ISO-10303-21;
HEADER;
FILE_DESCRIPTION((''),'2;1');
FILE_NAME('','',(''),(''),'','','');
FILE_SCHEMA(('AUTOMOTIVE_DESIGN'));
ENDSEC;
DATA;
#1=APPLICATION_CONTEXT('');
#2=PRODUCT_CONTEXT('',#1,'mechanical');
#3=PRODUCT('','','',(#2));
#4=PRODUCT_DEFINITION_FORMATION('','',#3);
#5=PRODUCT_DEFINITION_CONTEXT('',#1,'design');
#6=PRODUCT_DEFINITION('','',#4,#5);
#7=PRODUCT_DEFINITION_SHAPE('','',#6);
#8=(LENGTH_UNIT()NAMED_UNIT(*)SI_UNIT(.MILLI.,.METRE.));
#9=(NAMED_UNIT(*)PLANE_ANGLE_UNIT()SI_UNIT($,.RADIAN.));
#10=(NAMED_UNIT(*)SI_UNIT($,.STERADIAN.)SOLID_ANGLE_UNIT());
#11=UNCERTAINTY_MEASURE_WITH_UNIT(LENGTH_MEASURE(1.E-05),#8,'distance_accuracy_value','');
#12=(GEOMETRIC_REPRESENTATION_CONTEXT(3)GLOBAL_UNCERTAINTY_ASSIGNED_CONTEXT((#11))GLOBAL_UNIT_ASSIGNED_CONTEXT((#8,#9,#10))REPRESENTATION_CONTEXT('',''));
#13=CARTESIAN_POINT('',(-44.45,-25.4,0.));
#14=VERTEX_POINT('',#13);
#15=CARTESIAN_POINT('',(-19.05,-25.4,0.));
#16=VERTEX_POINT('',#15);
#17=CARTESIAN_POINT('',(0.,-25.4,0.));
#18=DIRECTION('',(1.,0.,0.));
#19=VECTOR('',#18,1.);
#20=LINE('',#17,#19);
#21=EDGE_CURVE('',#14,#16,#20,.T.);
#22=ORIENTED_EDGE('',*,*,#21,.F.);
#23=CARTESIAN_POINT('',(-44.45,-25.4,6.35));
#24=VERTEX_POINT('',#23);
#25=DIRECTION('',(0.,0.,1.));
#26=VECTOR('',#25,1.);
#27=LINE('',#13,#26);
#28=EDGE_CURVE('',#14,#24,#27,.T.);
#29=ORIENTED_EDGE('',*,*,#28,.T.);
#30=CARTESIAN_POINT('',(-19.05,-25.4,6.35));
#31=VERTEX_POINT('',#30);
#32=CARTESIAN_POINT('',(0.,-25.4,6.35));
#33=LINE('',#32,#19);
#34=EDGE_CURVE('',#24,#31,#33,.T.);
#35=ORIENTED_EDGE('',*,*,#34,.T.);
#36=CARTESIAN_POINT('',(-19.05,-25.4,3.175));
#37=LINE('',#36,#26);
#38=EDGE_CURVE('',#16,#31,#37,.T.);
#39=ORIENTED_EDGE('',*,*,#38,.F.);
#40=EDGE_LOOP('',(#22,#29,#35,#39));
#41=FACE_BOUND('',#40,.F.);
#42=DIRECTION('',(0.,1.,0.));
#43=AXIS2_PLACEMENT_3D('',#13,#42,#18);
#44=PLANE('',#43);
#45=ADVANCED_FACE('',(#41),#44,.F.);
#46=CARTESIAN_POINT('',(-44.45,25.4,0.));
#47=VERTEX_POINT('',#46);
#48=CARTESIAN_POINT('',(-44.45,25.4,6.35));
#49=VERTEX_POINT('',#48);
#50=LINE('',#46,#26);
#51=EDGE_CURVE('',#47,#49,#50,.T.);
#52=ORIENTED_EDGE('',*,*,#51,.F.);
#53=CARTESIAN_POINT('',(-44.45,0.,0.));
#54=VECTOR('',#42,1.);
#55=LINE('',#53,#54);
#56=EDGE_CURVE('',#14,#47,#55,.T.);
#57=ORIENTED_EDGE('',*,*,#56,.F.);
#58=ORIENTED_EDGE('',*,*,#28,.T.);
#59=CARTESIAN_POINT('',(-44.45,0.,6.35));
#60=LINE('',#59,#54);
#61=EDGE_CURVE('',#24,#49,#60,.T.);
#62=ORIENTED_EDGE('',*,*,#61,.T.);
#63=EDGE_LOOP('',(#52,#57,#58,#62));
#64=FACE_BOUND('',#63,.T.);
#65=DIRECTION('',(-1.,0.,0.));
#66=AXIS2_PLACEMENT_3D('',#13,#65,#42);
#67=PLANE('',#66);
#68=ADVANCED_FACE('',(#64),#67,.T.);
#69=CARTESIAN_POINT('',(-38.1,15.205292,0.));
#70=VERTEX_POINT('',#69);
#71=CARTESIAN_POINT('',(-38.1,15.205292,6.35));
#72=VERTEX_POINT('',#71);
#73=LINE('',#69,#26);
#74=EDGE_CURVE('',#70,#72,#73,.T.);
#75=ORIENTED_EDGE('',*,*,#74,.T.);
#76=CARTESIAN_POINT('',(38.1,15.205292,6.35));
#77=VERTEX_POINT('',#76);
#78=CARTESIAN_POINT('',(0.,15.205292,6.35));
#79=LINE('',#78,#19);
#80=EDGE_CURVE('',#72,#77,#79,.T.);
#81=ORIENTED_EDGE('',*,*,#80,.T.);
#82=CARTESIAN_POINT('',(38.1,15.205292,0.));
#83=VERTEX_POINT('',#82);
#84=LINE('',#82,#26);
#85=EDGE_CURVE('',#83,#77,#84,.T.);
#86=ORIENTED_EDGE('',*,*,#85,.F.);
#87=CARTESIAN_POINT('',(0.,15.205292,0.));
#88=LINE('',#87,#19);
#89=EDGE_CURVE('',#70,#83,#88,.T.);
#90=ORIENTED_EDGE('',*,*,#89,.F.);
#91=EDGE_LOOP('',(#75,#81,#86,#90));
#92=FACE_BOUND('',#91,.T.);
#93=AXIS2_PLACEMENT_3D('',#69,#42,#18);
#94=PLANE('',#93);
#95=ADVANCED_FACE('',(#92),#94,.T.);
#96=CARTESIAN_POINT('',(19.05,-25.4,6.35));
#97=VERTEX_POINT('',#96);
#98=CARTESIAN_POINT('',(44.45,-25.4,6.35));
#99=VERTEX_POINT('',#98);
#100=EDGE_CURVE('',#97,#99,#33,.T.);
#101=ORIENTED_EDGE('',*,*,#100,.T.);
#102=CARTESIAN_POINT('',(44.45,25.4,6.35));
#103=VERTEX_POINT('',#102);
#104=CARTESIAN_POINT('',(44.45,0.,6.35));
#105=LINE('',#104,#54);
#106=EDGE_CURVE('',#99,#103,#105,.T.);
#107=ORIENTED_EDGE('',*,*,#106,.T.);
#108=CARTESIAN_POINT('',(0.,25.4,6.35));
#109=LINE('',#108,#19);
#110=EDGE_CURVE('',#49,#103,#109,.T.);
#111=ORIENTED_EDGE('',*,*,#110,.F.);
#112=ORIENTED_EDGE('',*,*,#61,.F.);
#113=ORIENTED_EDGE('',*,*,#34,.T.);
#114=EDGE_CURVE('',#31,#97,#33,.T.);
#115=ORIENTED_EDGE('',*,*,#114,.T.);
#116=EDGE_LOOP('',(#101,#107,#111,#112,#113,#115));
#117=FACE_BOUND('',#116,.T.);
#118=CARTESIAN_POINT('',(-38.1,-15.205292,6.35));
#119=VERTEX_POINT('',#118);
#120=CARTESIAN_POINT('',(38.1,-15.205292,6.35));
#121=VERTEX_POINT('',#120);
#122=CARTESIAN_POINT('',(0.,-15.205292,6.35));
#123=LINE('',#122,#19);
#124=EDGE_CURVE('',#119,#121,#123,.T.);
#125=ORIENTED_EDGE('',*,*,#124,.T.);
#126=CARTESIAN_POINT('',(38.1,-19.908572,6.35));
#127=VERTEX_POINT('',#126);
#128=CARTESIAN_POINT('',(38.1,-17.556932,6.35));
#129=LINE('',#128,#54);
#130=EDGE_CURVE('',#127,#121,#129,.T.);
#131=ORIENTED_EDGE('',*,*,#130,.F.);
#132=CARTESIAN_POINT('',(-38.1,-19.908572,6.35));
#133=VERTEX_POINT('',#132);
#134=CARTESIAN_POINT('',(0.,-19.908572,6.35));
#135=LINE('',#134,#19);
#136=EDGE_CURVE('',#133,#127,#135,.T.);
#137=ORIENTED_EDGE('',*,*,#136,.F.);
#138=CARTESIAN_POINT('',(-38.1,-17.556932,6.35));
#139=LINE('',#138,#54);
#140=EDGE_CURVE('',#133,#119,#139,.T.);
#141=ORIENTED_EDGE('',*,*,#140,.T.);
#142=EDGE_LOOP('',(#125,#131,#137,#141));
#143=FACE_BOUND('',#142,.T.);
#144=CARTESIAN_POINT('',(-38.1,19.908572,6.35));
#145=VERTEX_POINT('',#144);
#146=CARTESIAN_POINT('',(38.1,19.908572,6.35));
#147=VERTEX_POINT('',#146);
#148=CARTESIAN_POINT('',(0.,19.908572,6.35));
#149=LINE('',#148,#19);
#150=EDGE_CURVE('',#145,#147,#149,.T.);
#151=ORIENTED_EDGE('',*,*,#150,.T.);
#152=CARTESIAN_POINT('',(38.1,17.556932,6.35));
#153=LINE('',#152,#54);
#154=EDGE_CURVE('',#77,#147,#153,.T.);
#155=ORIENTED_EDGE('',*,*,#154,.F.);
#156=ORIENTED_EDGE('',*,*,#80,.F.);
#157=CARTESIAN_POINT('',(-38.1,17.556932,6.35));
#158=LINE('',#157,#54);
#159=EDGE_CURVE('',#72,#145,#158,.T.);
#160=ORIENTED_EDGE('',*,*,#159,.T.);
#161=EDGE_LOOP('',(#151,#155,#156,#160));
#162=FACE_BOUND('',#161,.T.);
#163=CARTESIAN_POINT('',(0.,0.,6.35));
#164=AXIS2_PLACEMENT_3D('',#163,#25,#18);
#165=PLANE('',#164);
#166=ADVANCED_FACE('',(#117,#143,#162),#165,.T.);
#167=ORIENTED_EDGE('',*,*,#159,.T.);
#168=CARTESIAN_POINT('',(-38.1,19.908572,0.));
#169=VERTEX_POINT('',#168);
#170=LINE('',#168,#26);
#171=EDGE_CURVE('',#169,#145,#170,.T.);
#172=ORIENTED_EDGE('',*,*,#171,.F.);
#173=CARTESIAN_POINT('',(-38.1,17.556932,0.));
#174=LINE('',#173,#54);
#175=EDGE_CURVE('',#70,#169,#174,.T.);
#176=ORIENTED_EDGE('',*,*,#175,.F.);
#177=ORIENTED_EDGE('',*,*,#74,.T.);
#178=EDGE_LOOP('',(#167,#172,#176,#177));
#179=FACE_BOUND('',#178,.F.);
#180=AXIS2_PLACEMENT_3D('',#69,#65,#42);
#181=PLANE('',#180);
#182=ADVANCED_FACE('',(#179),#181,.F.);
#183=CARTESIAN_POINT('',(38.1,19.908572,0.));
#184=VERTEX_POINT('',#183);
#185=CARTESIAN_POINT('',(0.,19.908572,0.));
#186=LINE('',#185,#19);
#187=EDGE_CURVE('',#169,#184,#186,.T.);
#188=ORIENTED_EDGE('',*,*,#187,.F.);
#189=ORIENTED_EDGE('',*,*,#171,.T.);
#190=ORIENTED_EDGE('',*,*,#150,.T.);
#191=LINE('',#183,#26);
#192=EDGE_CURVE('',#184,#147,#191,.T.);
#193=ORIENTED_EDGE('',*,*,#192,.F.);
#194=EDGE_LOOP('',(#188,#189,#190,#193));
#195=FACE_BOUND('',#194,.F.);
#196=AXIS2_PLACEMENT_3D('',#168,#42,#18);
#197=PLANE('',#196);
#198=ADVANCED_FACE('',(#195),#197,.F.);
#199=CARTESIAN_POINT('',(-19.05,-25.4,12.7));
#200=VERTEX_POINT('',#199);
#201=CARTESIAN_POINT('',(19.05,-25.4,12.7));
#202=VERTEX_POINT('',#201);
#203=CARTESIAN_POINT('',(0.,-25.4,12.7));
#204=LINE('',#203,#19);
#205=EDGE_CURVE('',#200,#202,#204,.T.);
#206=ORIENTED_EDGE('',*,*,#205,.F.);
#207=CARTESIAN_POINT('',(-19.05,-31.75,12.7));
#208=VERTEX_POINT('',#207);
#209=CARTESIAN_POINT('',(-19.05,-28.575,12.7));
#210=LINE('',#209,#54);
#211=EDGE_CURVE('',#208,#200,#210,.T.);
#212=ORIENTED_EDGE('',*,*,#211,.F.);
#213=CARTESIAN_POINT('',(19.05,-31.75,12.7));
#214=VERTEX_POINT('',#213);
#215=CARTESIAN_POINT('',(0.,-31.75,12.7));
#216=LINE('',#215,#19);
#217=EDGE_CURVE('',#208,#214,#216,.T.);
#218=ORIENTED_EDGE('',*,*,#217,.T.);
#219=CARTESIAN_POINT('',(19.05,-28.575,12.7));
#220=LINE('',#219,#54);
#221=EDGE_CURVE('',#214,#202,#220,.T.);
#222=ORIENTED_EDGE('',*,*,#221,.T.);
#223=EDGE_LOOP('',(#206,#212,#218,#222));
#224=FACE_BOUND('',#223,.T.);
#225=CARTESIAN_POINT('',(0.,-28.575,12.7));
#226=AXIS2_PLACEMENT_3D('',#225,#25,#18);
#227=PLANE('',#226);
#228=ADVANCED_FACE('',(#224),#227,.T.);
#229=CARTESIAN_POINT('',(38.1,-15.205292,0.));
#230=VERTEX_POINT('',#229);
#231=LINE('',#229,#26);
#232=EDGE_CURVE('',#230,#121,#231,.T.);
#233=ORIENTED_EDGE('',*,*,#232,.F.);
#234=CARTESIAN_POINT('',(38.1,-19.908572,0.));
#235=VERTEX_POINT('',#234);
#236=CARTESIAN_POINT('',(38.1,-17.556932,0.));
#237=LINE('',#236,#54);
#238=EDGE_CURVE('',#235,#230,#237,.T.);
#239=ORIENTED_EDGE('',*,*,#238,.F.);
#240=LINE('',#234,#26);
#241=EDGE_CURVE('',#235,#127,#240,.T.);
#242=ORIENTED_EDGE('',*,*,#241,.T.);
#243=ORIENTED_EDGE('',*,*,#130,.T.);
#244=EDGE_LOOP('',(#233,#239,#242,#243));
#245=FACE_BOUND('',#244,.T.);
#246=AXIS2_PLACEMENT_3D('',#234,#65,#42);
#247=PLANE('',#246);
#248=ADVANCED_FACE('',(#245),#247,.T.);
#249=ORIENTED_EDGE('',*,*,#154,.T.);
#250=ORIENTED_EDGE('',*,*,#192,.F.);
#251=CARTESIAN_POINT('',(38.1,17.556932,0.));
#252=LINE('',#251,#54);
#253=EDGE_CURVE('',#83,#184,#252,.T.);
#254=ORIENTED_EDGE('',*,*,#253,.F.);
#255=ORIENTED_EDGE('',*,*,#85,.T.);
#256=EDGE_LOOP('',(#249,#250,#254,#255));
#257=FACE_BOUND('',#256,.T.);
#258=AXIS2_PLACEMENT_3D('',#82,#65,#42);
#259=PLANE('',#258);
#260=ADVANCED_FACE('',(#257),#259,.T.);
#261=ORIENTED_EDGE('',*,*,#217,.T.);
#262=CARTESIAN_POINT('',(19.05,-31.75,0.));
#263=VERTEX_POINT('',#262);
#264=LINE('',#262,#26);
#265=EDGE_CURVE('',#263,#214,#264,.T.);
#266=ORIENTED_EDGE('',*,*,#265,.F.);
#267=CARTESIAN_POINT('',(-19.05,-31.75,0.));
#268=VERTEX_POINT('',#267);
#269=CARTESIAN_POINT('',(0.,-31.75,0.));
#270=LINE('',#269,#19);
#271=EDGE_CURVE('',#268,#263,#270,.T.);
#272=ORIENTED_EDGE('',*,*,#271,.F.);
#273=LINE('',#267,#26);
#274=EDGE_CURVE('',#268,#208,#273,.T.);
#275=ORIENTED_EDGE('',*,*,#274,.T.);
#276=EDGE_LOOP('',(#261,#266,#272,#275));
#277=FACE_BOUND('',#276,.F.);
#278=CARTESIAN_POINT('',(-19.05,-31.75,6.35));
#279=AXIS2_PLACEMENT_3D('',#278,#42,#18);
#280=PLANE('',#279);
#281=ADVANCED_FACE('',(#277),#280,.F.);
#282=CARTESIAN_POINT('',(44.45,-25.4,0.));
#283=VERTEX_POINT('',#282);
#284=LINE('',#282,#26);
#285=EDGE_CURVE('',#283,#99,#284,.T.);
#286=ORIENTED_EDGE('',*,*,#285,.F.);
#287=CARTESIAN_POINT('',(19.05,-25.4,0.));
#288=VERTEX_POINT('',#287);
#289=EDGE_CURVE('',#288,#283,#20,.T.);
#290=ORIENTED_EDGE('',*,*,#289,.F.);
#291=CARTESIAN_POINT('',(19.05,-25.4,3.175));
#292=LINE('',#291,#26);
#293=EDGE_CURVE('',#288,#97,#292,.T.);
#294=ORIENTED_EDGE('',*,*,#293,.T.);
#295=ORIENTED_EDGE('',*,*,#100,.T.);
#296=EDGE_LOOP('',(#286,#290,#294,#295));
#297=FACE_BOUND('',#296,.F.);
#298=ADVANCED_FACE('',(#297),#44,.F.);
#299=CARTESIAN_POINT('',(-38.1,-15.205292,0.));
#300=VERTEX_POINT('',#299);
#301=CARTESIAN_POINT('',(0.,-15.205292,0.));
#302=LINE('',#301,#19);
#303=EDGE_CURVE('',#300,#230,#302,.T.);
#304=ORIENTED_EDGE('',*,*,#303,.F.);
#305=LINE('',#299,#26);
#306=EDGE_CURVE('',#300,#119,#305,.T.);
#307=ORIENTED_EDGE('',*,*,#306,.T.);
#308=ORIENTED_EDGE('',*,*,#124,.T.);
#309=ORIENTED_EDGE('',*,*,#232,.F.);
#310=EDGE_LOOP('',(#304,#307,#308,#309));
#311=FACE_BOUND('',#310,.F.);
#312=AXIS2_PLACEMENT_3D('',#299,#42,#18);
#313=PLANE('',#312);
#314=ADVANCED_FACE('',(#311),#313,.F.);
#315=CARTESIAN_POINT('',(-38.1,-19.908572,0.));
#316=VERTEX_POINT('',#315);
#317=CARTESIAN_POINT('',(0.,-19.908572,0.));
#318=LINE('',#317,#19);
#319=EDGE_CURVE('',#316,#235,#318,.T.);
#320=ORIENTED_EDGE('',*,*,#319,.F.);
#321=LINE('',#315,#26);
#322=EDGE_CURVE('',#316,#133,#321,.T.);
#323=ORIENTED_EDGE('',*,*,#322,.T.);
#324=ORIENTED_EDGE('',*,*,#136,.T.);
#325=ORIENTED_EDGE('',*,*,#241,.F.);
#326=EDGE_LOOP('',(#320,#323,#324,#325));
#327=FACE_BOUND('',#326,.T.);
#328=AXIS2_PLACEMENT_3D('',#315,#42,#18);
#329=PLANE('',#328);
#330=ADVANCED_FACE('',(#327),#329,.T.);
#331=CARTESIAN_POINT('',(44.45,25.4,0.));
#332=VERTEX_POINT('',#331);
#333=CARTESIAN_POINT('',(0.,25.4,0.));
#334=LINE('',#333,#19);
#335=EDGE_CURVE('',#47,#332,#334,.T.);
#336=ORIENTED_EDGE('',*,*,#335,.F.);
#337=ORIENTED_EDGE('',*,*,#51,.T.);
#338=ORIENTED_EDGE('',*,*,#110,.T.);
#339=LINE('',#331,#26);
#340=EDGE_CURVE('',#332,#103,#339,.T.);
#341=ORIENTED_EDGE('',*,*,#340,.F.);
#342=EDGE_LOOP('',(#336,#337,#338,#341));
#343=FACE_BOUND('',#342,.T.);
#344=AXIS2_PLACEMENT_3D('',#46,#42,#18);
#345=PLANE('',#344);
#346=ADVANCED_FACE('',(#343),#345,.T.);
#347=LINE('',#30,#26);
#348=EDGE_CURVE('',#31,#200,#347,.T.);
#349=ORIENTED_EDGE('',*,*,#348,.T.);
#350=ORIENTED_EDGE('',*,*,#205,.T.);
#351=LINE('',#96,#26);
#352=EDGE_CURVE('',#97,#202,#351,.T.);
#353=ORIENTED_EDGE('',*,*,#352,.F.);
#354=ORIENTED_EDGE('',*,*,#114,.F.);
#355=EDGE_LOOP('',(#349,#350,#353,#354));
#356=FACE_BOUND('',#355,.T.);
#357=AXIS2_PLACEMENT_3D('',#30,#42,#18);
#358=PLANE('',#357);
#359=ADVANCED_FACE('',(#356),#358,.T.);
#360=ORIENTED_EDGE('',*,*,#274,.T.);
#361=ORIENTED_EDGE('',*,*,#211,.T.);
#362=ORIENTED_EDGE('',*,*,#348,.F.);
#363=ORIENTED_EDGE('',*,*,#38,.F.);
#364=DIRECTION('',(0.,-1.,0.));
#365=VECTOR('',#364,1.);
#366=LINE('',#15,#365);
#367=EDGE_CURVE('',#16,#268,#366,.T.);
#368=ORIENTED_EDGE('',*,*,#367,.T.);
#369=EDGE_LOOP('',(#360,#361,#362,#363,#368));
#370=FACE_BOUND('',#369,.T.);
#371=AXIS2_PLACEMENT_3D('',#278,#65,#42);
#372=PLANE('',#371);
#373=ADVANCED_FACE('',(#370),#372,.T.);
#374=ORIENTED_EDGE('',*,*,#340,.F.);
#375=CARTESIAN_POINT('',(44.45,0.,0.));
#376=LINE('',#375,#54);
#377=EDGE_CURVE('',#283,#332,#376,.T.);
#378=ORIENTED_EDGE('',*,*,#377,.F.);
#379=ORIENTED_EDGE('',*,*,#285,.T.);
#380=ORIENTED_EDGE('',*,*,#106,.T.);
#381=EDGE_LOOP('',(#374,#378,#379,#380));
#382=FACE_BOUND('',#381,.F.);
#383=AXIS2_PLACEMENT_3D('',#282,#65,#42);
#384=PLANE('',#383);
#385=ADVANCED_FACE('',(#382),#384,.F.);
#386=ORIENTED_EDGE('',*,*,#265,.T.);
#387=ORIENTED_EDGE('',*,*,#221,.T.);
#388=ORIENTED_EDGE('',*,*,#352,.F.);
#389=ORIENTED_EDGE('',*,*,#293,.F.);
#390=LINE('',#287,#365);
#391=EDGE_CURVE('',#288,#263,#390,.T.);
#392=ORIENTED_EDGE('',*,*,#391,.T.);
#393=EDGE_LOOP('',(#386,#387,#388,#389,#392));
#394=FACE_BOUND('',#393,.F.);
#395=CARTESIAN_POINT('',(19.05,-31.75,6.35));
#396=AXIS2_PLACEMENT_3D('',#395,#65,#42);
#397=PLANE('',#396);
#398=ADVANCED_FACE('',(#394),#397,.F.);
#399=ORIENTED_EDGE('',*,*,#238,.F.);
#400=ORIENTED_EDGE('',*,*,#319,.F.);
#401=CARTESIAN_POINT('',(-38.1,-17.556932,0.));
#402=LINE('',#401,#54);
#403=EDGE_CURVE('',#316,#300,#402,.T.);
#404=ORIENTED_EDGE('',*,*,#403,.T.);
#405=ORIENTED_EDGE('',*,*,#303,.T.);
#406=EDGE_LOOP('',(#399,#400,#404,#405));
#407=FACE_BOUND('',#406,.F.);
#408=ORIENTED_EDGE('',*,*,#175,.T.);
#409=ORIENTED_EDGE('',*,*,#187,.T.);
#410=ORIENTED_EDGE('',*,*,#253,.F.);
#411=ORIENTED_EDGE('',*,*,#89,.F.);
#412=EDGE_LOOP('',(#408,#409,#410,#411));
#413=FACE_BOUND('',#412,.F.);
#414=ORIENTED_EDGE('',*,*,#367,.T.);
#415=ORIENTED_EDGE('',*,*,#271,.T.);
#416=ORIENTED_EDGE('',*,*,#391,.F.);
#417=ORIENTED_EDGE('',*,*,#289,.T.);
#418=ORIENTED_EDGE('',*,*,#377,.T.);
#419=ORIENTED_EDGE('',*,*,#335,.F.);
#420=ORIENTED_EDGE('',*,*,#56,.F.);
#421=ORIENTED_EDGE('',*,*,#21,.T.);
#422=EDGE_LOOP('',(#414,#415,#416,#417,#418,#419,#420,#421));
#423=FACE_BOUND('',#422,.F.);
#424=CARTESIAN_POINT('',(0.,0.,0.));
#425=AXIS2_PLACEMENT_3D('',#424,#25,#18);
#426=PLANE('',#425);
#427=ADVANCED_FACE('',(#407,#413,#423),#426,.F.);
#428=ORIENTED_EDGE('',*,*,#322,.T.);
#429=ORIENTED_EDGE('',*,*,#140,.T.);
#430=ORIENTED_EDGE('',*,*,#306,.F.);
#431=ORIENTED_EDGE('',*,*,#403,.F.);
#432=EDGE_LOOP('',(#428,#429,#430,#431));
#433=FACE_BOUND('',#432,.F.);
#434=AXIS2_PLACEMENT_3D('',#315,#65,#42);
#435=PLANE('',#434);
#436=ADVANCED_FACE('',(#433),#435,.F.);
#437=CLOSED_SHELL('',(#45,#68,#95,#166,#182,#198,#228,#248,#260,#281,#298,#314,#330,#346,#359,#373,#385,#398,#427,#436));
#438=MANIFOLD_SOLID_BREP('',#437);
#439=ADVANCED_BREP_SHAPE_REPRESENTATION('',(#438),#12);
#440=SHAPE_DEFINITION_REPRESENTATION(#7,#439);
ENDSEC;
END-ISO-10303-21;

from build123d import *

# Parameters (mm, degrees)
F0_W     = 88.9
F0_H     = 50.8
F0_W_2   = 76.2
F0_H_2   = 4.70328
F1_DEPTH = 6.35
F2_W     = 38.1
F2_H     = 6.35
F3_DEPTH = 6.35
F4_W     = 38.1
F4_H     = 6.35
F5_DEPTH = 6.35


with BuildPart() as f1:
    # F0 (on Top) → F1 (new body)
    with BuildSketch(Plane.XY):
        Rectangle(F0_W, F0_H)
        with Locations((0, -17.556932)):
            Rectangle(F0_W_2, F0_H_2, mode=Mode.SUBTRACT)
        with Locations((0, 17.556932)):
            Rectangle(F0_W_2, F0_H_2, mode=Mode.SUBTRACT)
    extrude(amount=F1_DEPTH)

    # F2 (on face) → F3 (join)
    with BuildSketch(Plane.XZ.offset(25.4)):
        with Locations((0, 3.175)):
            Rectangle(F2_W, F2_H)
    extrude(amount=F3_DEPTH)

    # F4 (on face) → F5 (join)
    with BuildSketch(Plane.XY.offset(6.35)):
        with Locations((0, -28.575)):
            Rectangle(F4_W, F4_H)
    extrude(amount=F5_DEPTH)


solid = f1.part
